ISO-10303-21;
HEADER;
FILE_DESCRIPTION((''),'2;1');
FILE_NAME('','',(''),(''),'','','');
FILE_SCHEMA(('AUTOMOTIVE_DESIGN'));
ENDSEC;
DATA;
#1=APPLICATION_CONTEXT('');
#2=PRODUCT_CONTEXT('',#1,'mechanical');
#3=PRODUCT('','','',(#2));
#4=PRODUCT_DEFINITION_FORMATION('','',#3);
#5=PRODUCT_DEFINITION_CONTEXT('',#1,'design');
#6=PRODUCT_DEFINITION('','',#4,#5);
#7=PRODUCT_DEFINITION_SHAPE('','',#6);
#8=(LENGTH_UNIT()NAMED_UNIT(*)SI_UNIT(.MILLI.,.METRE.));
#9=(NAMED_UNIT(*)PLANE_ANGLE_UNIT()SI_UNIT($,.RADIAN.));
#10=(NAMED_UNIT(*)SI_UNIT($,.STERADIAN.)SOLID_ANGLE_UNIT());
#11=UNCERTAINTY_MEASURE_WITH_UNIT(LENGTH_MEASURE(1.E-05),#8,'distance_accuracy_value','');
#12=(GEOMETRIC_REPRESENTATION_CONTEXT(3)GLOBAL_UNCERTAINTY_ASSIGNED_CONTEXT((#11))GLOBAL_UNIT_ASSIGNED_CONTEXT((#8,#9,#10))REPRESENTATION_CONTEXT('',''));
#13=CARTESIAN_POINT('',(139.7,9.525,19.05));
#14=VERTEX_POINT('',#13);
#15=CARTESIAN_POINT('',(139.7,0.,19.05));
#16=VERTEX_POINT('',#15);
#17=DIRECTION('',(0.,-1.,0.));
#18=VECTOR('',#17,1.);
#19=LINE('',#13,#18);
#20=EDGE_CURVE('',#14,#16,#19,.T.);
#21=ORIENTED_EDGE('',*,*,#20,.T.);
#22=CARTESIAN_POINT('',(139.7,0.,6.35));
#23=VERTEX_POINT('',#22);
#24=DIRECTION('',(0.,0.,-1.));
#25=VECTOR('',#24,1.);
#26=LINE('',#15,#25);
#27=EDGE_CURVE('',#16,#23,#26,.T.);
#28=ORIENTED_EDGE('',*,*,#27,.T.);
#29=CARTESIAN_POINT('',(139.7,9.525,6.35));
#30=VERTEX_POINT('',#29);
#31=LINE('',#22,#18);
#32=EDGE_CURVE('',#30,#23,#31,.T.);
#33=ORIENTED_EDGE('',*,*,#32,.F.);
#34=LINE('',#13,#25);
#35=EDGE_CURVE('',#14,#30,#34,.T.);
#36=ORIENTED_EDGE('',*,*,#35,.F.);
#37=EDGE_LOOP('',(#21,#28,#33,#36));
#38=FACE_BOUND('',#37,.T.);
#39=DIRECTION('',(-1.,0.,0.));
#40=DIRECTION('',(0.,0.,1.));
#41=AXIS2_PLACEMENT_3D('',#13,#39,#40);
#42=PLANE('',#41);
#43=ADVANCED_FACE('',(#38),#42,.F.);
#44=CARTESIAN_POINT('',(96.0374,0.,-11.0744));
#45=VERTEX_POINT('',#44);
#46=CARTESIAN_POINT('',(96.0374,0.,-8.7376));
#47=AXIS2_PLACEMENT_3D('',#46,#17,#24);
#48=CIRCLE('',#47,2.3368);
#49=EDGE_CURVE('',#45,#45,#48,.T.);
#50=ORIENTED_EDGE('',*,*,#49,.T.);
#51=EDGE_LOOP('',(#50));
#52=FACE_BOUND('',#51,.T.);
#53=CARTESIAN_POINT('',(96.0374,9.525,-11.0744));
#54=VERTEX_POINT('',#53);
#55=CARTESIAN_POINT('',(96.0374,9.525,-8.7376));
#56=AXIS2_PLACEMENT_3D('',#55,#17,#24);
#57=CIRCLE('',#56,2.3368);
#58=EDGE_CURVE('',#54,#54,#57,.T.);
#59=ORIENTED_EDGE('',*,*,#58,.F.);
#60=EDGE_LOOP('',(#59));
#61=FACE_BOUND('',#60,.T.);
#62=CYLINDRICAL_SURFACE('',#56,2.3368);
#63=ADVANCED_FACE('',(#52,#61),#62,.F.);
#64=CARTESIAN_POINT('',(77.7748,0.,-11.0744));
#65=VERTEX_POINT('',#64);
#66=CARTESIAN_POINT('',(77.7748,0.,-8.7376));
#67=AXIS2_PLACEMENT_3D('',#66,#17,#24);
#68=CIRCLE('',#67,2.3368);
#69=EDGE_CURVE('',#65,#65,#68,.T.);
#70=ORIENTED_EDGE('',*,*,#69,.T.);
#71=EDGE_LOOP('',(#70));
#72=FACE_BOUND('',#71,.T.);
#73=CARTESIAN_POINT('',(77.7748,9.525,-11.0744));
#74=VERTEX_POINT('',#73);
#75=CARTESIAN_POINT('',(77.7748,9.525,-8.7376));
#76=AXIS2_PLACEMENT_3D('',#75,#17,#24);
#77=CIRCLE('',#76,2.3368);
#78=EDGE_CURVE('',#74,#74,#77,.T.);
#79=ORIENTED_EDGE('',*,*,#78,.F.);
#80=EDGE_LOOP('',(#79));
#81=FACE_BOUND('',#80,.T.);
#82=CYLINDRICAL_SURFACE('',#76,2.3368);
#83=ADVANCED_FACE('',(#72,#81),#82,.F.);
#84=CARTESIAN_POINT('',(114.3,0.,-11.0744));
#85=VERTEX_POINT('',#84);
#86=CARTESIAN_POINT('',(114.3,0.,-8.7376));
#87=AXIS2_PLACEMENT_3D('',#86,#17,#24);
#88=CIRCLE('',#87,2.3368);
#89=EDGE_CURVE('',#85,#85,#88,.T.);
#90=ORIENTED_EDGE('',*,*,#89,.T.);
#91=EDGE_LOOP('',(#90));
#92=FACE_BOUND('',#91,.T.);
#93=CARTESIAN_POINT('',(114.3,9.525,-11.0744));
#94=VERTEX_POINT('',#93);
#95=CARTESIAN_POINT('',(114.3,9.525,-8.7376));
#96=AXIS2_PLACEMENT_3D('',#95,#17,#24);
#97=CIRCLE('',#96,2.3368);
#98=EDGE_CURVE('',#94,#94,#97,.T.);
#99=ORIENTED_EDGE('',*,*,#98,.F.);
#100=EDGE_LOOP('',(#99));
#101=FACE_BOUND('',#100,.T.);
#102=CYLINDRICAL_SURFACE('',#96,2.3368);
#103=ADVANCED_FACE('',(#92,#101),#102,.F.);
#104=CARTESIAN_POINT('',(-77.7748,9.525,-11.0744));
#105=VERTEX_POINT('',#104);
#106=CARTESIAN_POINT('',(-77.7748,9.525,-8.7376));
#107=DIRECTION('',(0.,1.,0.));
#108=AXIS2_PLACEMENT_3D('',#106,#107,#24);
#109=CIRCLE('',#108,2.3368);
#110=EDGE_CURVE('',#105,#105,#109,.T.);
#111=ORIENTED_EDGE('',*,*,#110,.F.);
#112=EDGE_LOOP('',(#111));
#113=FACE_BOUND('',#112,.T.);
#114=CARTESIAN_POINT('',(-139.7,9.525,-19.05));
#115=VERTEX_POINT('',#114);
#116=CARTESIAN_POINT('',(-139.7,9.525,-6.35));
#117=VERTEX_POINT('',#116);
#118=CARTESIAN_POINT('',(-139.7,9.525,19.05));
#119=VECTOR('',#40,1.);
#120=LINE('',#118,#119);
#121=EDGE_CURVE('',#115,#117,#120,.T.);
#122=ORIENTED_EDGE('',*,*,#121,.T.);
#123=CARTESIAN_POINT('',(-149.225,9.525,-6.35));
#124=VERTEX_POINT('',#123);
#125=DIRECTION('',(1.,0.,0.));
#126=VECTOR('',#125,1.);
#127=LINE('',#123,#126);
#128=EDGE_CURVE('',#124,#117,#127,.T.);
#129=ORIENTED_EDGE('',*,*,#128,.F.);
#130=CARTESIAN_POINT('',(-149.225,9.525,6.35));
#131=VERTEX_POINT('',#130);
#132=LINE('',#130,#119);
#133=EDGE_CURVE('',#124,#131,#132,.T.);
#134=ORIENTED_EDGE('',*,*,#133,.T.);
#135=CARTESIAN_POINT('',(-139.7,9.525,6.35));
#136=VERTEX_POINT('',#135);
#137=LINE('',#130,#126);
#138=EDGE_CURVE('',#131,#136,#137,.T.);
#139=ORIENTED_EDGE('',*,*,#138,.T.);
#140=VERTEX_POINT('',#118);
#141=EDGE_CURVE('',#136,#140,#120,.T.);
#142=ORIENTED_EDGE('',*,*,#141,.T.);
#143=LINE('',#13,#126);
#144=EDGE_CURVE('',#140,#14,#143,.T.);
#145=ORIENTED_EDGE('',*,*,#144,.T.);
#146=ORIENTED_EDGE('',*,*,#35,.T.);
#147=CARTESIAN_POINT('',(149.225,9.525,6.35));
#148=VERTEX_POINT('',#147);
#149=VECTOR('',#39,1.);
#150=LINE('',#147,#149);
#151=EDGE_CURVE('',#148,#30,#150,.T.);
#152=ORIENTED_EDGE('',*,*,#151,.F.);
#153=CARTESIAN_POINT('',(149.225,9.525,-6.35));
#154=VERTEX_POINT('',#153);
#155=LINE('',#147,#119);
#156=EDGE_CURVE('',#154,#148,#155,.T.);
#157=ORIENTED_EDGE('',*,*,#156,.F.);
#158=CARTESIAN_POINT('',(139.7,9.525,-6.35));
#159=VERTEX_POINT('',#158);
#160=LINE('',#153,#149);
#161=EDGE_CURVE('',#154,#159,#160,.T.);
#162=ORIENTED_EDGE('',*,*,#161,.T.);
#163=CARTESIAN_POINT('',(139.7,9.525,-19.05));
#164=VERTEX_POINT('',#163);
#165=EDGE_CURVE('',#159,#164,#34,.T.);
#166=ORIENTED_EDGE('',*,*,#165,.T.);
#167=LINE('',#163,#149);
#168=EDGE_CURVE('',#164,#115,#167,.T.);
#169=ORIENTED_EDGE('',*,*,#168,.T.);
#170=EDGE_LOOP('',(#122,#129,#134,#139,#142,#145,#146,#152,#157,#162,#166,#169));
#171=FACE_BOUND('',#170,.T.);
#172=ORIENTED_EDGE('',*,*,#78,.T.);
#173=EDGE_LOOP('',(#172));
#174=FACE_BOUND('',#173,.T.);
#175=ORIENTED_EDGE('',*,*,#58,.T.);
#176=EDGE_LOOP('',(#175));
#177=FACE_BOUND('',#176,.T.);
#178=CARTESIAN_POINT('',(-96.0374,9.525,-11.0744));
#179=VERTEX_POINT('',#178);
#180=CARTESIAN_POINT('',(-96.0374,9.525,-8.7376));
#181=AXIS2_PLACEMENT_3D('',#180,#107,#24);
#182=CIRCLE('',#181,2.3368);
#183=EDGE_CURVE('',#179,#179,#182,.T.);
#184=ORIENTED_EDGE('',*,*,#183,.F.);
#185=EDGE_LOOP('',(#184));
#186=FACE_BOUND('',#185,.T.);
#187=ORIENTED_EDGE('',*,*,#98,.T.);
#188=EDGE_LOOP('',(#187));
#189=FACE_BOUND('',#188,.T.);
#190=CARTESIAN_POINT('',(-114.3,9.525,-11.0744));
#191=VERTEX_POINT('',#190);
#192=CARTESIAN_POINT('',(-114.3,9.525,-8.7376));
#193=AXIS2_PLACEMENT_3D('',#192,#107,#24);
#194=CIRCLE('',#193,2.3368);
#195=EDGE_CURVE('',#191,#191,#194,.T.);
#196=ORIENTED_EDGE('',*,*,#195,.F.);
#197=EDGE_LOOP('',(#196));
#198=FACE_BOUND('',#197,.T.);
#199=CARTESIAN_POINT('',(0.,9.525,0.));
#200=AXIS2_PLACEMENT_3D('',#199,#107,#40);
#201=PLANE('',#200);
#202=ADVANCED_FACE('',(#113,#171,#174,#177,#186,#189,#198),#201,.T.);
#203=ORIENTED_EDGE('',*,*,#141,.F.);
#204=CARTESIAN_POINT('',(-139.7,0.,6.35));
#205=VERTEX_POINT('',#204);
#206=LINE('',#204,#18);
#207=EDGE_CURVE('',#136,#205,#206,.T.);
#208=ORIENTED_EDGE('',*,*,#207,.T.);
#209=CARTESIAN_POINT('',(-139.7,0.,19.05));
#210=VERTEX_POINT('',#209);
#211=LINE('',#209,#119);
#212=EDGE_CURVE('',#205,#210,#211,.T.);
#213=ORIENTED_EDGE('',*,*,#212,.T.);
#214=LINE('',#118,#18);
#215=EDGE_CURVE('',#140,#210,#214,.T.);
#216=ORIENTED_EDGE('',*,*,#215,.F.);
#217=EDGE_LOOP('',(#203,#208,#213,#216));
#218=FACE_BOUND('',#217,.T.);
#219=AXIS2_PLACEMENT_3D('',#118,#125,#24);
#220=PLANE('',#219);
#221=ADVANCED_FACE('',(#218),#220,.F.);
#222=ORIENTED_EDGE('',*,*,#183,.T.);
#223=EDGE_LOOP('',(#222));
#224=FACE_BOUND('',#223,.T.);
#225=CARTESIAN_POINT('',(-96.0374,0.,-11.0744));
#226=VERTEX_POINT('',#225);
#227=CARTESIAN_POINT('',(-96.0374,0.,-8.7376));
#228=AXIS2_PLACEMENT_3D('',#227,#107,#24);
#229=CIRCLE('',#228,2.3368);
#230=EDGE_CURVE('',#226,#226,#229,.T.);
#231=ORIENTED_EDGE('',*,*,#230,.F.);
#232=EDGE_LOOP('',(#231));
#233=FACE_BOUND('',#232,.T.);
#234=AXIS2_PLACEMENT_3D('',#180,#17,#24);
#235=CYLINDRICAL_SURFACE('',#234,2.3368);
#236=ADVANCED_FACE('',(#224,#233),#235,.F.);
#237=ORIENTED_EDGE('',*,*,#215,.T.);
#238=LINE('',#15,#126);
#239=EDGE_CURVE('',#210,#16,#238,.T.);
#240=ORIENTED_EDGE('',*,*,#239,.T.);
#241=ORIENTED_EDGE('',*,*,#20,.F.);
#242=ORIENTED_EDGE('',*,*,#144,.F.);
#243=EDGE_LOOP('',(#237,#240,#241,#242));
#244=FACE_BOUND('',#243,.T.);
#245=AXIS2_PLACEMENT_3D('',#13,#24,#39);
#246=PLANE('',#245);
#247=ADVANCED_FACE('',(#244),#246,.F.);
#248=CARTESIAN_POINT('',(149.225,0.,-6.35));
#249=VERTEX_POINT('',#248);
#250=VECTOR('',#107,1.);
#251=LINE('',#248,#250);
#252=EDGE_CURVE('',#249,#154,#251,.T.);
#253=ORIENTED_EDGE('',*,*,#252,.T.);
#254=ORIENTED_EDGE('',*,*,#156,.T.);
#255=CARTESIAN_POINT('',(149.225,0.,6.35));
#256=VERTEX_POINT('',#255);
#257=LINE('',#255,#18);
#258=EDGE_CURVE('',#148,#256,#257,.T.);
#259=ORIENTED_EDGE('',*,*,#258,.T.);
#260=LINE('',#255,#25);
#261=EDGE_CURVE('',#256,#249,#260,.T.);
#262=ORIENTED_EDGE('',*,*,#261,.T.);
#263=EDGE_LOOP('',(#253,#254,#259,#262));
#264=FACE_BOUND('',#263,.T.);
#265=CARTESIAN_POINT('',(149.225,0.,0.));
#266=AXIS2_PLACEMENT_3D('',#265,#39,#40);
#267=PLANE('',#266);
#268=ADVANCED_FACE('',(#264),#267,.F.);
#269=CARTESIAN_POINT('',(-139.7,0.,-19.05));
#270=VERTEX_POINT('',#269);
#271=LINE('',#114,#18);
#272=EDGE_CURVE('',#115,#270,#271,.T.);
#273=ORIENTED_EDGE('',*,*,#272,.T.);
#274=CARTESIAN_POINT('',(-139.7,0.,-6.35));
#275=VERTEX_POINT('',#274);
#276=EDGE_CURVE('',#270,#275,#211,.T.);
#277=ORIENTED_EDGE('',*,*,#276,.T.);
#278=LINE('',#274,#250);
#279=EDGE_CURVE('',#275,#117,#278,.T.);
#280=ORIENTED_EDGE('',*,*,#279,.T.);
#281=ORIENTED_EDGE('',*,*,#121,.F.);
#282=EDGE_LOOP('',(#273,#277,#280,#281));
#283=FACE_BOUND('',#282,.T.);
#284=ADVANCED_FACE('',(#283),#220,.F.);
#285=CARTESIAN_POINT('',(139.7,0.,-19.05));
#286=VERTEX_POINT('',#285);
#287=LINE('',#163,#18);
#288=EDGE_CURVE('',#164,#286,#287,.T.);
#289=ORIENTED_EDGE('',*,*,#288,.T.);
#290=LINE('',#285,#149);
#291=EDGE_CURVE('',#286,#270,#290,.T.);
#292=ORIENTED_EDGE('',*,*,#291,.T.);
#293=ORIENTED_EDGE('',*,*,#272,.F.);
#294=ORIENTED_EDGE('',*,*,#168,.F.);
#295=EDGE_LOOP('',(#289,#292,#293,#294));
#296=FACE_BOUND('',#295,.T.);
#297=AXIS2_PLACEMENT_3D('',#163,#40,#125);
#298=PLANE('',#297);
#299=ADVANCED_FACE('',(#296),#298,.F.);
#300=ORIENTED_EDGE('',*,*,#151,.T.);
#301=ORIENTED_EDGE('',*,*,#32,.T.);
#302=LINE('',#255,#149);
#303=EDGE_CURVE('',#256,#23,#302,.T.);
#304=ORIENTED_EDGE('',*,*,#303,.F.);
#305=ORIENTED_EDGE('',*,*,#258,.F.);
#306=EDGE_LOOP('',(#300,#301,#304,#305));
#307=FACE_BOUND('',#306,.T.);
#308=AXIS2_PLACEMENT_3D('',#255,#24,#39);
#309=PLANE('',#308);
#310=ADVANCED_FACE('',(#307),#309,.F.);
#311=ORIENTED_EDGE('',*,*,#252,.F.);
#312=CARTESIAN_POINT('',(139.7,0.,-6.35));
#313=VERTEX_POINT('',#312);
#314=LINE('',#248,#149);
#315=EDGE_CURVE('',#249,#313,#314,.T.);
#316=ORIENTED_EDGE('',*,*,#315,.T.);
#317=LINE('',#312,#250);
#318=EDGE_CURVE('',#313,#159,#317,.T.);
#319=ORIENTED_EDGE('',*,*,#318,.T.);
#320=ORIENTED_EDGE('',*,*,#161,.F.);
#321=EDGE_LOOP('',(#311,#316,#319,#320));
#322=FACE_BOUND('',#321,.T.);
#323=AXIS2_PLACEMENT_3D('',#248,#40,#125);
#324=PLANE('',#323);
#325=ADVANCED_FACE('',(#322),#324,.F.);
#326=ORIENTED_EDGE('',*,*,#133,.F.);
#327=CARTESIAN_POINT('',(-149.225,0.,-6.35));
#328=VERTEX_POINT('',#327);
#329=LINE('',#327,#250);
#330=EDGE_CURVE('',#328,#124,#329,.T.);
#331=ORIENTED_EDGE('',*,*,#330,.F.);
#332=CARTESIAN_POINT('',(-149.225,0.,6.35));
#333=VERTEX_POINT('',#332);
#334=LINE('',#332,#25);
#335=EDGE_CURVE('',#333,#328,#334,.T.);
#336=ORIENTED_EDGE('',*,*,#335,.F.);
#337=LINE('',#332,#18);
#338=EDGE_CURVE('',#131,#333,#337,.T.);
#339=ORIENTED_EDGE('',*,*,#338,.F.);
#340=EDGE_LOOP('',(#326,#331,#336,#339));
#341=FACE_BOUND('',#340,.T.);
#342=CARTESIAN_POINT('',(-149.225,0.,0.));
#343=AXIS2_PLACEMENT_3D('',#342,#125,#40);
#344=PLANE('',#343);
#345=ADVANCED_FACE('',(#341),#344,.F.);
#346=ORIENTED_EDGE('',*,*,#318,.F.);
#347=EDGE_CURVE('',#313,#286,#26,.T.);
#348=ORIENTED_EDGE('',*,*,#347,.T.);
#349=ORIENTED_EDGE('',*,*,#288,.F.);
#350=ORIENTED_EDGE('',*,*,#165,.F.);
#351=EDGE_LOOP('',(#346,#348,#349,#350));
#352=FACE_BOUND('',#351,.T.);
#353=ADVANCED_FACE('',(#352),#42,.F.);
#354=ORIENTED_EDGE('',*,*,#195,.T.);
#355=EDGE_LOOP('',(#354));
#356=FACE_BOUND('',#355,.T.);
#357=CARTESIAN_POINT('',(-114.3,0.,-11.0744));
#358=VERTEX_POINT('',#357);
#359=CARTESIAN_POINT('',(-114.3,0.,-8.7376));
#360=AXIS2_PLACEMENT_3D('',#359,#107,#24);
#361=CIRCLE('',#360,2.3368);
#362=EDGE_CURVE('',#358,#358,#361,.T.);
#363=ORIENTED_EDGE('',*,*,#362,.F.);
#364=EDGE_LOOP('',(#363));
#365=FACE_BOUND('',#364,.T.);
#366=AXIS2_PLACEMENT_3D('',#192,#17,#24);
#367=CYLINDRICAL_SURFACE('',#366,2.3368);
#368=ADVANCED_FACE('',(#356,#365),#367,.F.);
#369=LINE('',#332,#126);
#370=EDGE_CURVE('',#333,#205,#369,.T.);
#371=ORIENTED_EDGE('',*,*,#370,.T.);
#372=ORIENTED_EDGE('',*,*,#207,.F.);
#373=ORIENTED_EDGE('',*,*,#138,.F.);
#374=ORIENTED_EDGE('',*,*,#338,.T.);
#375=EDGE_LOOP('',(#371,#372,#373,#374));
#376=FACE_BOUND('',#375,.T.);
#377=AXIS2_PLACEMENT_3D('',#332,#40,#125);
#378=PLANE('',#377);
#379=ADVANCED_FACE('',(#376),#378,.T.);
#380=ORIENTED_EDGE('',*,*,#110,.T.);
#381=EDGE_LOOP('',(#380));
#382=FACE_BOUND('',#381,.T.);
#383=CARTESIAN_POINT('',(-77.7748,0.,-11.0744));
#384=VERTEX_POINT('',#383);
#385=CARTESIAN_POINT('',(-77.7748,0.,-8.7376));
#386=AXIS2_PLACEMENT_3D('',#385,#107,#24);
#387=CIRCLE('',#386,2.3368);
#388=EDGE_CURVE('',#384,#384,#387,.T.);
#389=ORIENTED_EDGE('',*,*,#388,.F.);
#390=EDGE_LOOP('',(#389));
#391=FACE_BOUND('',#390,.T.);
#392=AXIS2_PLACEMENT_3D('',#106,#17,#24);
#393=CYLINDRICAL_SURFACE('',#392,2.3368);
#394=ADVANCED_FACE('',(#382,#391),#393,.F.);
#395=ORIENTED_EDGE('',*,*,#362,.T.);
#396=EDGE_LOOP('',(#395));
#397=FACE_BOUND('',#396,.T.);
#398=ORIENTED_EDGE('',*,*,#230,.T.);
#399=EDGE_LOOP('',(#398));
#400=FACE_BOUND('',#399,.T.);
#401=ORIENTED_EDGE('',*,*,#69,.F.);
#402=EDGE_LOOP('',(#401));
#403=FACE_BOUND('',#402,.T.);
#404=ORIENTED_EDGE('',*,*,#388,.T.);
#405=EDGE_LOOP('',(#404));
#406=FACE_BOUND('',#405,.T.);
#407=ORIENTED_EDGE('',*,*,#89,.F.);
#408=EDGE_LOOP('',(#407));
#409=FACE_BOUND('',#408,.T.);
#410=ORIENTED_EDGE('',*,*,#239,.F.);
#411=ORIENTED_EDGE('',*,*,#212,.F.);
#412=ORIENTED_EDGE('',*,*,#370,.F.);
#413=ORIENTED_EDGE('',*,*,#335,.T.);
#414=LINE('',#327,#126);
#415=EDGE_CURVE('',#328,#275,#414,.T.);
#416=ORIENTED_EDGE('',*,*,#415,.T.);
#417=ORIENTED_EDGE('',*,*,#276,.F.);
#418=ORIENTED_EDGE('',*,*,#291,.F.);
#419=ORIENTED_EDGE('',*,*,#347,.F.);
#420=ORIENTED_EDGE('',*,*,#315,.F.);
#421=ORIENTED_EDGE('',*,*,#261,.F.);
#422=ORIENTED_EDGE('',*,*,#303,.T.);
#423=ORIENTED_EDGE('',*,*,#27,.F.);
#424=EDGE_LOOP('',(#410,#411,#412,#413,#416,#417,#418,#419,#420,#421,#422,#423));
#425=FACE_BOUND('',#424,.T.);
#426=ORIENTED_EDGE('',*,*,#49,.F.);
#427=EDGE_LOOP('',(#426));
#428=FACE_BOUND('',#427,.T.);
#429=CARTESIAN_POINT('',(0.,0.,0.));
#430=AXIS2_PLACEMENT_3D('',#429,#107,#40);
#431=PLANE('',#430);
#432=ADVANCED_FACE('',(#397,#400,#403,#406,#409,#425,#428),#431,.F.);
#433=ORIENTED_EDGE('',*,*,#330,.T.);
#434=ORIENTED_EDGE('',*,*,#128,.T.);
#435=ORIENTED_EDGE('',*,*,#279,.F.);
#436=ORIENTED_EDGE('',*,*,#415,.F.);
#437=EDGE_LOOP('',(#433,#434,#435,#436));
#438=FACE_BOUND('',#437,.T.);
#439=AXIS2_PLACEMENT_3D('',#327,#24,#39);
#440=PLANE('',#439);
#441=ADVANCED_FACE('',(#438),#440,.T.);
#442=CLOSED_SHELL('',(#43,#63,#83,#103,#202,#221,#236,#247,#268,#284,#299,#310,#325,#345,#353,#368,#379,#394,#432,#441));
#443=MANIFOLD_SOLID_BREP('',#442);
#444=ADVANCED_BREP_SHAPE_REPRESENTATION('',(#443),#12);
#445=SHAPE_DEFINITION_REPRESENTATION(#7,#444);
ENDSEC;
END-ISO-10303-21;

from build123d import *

# Parameters (mm, degrees)
SKETCH1_W           = 279.4
SKETCH1_H           = 38.1
BOSS_EXTRUDE1_DEPTH = 9.525
SKETCH2_W           = 12.7
SKETCH2_H           = 9.525
BOSS_EXTRUDE2_DEPTH = 9.525
SKETCH3_R           = 2.3368
CUT_EXTRUDE1_DEPTH  = 10.525


with BuildPart() as part:
    # Sketch1 → Boss-Extrude1 (new body)
    with BuildSketch(Plane(origin=(0, 0, 0), x_dir=(1, 0, 0), z_dir=(0, 1, 0))):
        Rectangle(SKETCH1_W, SKETCH1_H)
    extrude(amount=BOSS_EXTRUDE1_DEPTH)

    # Sketch2 → Boss-Extrude2 (add)
    with BuildSketch(Plane(origin=(139.7, 0, 0), x_dir=(0, 0, -1), z_dir=(1, 0, 0))):
        with Locations((0, 4.7625)):
            Rectangle(SKETCH2_W, SKETCH2_H)
    boss_extrude2 = extrude(amount=BOSS_EXTRUDE2_DEPTH)

    # Mirror1: Boss-Extrude2 across plane
    add(boss_extrude2.mirror(Plane(origin=(0, 0, 0), x_dir=(0, 0, 1), z_dir=(1, 0, 0))))

    # Sketch3 → Cut-Extrude1 (cut, through all)
    with BuildSketch(Plane.XZ):
        with Locations((114.3, -8.7376)):
            Circle(SKETCH3_R)
        with Locations((77.7748, -8.7376)):
            Circle(SKETCH3_R)
        with Locations((96.0374, -8.7376)):
            Circle(SKETCH3_R)
    cut_extrude1 = extrude(amount=-CUT_EXTRUDE1_DEPTH, mode=Mode.SUBTRACT)

    # Mirror2: Cut-Extrude1 across plane
    add(cut_extrude1.mirror(Plane(origin=(0, 0, 0), x_dir=(0, 0, 1), z_dir=(1, 0, 0))), mode=Mode.SUBTRACT)


solid = part.part
